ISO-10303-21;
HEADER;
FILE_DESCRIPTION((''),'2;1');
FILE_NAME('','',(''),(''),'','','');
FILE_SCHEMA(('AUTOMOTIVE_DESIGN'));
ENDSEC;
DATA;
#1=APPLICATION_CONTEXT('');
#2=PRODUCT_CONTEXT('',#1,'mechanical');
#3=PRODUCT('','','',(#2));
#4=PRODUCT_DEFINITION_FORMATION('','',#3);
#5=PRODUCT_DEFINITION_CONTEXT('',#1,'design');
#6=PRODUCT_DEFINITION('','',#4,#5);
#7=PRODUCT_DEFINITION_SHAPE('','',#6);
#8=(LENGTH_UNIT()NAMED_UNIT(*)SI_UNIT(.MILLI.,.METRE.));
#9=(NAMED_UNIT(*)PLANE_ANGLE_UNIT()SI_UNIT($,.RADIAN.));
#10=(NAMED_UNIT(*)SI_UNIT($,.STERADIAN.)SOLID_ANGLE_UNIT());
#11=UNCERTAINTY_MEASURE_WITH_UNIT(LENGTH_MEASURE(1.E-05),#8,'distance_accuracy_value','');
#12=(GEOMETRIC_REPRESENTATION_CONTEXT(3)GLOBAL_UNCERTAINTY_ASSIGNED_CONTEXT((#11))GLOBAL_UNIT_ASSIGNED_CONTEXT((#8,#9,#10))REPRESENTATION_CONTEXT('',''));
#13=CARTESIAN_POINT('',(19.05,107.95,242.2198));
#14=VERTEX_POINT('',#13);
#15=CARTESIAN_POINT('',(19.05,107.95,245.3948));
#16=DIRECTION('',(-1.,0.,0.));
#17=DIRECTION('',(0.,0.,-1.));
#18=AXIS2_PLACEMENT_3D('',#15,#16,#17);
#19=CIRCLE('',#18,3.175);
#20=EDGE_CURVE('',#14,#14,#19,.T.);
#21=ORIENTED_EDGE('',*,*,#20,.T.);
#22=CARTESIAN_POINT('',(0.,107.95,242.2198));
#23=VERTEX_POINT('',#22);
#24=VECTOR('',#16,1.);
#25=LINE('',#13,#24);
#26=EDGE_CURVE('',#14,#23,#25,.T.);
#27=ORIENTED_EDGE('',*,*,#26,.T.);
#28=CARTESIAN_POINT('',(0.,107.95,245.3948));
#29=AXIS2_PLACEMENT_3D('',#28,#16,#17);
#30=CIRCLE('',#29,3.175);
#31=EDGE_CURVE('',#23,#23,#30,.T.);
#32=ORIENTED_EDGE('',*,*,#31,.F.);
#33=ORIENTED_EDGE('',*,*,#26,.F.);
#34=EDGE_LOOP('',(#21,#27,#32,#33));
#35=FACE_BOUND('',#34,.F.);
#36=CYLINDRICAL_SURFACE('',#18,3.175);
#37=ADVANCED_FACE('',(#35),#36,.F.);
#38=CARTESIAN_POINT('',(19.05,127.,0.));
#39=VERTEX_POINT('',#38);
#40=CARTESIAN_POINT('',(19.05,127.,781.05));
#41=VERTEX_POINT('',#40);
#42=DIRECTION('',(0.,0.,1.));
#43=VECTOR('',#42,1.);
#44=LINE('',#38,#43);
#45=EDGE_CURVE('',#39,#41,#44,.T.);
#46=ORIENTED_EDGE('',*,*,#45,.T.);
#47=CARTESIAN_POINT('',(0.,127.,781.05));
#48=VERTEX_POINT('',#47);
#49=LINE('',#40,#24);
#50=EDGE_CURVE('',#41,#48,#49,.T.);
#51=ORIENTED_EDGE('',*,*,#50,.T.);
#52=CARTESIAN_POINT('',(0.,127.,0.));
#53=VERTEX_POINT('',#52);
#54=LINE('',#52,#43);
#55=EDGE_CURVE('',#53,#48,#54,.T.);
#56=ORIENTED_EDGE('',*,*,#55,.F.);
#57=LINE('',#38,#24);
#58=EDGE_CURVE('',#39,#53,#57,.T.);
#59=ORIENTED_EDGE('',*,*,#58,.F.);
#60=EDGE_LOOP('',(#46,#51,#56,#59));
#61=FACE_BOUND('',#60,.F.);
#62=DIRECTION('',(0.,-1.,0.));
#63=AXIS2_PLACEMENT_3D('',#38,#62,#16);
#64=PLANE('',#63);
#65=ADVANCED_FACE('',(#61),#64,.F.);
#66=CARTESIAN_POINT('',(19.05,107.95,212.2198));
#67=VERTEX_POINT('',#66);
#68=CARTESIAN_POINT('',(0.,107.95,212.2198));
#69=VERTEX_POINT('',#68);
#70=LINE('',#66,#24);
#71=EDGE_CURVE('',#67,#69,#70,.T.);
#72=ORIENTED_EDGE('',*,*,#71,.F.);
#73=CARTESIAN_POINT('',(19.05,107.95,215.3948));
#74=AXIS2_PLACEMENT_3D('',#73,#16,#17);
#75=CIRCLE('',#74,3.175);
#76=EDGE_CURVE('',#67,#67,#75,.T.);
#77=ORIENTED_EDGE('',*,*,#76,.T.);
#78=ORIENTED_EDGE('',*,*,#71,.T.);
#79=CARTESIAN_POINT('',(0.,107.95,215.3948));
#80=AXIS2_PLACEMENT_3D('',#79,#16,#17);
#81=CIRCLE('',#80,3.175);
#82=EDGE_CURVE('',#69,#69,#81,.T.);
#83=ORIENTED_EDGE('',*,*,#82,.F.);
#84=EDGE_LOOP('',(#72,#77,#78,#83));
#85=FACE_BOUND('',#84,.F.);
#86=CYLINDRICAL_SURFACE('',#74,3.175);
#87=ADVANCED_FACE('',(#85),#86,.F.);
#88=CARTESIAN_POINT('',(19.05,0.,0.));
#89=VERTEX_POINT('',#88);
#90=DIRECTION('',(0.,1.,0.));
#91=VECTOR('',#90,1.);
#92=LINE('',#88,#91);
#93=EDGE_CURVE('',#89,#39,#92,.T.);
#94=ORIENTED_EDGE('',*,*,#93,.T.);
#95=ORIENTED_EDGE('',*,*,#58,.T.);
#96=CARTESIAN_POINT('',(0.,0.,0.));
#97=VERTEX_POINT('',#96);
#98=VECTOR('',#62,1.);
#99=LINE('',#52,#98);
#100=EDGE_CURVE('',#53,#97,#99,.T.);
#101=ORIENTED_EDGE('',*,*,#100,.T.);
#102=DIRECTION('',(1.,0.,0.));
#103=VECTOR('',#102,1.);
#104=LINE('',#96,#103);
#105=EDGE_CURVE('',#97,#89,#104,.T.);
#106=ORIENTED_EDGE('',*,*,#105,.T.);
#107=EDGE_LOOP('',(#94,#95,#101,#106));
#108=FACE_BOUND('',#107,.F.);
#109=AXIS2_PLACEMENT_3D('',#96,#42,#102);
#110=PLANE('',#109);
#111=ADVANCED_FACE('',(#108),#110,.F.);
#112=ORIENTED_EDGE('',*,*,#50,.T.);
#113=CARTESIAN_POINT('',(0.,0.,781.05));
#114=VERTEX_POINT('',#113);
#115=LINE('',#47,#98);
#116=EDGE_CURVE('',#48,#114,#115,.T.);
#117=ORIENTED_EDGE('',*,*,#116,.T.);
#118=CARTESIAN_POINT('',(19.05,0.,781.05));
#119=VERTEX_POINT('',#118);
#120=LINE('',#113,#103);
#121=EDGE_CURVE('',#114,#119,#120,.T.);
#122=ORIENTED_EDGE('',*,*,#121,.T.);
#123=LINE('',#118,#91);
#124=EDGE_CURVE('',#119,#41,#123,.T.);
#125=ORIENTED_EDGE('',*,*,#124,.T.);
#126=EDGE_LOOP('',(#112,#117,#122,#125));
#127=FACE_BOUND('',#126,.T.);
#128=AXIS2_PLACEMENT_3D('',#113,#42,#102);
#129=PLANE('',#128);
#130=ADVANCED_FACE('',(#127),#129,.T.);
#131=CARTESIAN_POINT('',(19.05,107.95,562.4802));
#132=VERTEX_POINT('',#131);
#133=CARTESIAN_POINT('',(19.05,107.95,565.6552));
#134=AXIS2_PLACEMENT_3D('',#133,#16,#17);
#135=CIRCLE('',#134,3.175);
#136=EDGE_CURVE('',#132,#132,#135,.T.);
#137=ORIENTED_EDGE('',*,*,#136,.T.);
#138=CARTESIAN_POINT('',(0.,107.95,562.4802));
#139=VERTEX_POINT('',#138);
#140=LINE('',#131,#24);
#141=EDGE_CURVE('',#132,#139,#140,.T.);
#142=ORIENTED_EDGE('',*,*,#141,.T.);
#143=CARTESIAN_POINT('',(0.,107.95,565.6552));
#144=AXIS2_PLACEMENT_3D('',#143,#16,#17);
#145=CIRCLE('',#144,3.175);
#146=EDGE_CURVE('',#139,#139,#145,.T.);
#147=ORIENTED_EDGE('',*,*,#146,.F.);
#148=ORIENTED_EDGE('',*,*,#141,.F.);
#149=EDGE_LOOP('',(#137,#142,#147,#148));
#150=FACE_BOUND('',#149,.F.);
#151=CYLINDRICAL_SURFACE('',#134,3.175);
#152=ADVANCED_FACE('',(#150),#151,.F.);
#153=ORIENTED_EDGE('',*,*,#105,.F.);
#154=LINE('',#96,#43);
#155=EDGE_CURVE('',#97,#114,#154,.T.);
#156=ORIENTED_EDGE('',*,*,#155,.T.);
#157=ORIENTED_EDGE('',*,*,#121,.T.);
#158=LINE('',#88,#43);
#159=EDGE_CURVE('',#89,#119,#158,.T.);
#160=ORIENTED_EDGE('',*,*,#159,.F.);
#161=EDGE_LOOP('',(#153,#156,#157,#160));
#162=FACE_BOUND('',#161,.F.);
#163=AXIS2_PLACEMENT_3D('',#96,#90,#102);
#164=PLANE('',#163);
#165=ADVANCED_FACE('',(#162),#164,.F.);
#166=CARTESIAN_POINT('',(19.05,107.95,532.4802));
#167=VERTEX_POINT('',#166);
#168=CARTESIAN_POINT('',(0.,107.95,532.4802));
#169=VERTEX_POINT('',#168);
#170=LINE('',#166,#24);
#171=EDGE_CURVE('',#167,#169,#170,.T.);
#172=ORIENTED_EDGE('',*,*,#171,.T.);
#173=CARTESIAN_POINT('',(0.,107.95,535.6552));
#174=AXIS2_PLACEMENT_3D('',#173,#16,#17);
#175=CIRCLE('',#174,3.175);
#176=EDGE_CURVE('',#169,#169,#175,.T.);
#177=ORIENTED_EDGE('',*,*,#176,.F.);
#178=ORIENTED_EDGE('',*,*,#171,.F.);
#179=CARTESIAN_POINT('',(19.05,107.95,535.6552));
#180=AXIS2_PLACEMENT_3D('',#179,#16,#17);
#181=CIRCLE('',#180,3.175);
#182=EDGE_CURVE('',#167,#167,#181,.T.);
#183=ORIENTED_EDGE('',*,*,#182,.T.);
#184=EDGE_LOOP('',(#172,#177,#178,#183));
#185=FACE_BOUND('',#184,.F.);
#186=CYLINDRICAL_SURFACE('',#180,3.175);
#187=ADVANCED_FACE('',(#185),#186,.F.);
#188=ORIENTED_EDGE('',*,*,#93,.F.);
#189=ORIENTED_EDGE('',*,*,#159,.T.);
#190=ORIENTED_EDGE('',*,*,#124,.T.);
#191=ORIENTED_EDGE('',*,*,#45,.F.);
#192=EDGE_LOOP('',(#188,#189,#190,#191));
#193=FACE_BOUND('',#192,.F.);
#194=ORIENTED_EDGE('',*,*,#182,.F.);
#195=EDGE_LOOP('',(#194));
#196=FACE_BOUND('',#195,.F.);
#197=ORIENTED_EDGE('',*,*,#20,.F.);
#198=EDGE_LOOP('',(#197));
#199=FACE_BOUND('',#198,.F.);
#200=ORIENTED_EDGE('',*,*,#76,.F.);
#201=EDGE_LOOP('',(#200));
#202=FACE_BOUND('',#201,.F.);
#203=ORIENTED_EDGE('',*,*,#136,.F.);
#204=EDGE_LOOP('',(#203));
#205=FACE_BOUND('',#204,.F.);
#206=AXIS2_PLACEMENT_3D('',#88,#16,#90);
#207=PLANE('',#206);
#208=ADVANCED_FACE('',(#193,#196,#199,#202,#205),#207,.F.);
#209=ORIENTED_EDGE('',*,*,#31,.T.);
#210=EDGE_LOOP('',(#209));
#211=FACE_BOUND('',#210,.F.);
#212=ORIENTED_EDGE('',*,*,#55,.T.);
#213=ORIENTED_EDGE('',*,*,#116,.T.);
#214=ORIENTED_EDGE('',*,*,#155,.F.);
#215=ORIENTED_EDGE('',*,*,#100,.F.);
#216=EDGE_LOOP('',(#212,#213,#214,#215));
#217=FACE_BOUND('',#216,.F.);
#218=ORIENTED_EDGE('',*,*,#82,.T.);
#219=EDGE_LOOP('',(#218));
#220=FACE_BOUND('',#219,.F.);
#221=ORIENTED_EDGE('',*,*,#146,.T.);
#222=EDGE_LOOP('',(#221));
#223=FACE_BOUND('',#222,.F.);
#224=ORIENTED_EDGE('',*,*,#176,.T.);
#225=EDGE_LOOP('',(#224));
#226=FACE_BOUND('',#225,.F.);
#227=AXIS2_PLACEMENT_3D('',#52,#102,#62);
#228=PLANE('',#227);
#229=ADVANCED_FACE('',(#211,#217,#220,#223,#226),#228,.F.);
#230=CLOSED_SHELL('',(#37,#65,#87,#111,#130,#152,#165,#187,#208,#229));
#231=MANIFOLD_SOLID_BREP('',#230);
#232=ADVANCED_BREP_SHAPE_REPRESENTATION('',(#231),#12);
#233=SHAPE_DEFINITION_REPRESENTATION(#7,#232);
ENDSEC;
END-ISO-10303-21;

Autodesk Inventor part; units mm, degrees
ref_plane "YZ Plane" through (0, 0, 0) normal (1, 0, 0) x (0, 1, 0)
ref_plane "XZ Plane" through (0, 0, 0) normal (0, 1, 0) x (-1, 0, 0)
ref_plane "XY Plane" through (0, 0, 0) normal (0, 0, 1) x (1, 0, 0)
sketch "Sketch1" plane through (0, 0, 0) normal (0, 0, 1) x (1, 0, 0)
  line L0 (0, 0) -> (19.05, 0)
  line L1 (19.05, 0) -> (19.05, 127)
  line L2 (19.05, 127) -> (0, 127)
  line L3 (0, 127) -> (0, 0)
  dimension "d0" = 19.05
  dimension "d1" = 127
extrude "Extrusion1" add sketch "Sketch1" along normal blind 781.05
sketch "Sketch2" plane through (19.05, 0, 0) normal (1, 0, 0) x (0, 0, -1)
  line L0 (0, 0) -> (0, 127) projected
  line L1 (0, 127) -> (-781.05, 127) projected
  line L2 (-781.05, 0) -> (-781.05, 127) projected
  line L3 (0, 0) -> (-781.05, 0) projected
  line L4 (-781.05, 107.95) -> (0, 107.95) construction
  point P0 (-565.6552, 107.95)
  point P1 (-535.6552, 107.95)
  point P2 (-215.3948, 107.95)
  point P3 (-245.3948, 107.95)
  dimension "d4" = 19.05
  dimension "d5" = 215.3948
  dimension "d6" = 30
  dimension "d7" = 30
  dimension "d8" = 215.3948
hole "Hole1" at (19.05, 107.95, 565.6552) at (19.05, 107.95, 535.6552) at (19.05, 107.95, 215.3948) at (19.05, 107.95, 245.3948) direction (-1, 0, 0) diameter 6.35 end through all
equation "\"d7\" = d6"
equation "\"d8\" = d5"
properties part number "Bumper Wood Side" material "Oak, White"
